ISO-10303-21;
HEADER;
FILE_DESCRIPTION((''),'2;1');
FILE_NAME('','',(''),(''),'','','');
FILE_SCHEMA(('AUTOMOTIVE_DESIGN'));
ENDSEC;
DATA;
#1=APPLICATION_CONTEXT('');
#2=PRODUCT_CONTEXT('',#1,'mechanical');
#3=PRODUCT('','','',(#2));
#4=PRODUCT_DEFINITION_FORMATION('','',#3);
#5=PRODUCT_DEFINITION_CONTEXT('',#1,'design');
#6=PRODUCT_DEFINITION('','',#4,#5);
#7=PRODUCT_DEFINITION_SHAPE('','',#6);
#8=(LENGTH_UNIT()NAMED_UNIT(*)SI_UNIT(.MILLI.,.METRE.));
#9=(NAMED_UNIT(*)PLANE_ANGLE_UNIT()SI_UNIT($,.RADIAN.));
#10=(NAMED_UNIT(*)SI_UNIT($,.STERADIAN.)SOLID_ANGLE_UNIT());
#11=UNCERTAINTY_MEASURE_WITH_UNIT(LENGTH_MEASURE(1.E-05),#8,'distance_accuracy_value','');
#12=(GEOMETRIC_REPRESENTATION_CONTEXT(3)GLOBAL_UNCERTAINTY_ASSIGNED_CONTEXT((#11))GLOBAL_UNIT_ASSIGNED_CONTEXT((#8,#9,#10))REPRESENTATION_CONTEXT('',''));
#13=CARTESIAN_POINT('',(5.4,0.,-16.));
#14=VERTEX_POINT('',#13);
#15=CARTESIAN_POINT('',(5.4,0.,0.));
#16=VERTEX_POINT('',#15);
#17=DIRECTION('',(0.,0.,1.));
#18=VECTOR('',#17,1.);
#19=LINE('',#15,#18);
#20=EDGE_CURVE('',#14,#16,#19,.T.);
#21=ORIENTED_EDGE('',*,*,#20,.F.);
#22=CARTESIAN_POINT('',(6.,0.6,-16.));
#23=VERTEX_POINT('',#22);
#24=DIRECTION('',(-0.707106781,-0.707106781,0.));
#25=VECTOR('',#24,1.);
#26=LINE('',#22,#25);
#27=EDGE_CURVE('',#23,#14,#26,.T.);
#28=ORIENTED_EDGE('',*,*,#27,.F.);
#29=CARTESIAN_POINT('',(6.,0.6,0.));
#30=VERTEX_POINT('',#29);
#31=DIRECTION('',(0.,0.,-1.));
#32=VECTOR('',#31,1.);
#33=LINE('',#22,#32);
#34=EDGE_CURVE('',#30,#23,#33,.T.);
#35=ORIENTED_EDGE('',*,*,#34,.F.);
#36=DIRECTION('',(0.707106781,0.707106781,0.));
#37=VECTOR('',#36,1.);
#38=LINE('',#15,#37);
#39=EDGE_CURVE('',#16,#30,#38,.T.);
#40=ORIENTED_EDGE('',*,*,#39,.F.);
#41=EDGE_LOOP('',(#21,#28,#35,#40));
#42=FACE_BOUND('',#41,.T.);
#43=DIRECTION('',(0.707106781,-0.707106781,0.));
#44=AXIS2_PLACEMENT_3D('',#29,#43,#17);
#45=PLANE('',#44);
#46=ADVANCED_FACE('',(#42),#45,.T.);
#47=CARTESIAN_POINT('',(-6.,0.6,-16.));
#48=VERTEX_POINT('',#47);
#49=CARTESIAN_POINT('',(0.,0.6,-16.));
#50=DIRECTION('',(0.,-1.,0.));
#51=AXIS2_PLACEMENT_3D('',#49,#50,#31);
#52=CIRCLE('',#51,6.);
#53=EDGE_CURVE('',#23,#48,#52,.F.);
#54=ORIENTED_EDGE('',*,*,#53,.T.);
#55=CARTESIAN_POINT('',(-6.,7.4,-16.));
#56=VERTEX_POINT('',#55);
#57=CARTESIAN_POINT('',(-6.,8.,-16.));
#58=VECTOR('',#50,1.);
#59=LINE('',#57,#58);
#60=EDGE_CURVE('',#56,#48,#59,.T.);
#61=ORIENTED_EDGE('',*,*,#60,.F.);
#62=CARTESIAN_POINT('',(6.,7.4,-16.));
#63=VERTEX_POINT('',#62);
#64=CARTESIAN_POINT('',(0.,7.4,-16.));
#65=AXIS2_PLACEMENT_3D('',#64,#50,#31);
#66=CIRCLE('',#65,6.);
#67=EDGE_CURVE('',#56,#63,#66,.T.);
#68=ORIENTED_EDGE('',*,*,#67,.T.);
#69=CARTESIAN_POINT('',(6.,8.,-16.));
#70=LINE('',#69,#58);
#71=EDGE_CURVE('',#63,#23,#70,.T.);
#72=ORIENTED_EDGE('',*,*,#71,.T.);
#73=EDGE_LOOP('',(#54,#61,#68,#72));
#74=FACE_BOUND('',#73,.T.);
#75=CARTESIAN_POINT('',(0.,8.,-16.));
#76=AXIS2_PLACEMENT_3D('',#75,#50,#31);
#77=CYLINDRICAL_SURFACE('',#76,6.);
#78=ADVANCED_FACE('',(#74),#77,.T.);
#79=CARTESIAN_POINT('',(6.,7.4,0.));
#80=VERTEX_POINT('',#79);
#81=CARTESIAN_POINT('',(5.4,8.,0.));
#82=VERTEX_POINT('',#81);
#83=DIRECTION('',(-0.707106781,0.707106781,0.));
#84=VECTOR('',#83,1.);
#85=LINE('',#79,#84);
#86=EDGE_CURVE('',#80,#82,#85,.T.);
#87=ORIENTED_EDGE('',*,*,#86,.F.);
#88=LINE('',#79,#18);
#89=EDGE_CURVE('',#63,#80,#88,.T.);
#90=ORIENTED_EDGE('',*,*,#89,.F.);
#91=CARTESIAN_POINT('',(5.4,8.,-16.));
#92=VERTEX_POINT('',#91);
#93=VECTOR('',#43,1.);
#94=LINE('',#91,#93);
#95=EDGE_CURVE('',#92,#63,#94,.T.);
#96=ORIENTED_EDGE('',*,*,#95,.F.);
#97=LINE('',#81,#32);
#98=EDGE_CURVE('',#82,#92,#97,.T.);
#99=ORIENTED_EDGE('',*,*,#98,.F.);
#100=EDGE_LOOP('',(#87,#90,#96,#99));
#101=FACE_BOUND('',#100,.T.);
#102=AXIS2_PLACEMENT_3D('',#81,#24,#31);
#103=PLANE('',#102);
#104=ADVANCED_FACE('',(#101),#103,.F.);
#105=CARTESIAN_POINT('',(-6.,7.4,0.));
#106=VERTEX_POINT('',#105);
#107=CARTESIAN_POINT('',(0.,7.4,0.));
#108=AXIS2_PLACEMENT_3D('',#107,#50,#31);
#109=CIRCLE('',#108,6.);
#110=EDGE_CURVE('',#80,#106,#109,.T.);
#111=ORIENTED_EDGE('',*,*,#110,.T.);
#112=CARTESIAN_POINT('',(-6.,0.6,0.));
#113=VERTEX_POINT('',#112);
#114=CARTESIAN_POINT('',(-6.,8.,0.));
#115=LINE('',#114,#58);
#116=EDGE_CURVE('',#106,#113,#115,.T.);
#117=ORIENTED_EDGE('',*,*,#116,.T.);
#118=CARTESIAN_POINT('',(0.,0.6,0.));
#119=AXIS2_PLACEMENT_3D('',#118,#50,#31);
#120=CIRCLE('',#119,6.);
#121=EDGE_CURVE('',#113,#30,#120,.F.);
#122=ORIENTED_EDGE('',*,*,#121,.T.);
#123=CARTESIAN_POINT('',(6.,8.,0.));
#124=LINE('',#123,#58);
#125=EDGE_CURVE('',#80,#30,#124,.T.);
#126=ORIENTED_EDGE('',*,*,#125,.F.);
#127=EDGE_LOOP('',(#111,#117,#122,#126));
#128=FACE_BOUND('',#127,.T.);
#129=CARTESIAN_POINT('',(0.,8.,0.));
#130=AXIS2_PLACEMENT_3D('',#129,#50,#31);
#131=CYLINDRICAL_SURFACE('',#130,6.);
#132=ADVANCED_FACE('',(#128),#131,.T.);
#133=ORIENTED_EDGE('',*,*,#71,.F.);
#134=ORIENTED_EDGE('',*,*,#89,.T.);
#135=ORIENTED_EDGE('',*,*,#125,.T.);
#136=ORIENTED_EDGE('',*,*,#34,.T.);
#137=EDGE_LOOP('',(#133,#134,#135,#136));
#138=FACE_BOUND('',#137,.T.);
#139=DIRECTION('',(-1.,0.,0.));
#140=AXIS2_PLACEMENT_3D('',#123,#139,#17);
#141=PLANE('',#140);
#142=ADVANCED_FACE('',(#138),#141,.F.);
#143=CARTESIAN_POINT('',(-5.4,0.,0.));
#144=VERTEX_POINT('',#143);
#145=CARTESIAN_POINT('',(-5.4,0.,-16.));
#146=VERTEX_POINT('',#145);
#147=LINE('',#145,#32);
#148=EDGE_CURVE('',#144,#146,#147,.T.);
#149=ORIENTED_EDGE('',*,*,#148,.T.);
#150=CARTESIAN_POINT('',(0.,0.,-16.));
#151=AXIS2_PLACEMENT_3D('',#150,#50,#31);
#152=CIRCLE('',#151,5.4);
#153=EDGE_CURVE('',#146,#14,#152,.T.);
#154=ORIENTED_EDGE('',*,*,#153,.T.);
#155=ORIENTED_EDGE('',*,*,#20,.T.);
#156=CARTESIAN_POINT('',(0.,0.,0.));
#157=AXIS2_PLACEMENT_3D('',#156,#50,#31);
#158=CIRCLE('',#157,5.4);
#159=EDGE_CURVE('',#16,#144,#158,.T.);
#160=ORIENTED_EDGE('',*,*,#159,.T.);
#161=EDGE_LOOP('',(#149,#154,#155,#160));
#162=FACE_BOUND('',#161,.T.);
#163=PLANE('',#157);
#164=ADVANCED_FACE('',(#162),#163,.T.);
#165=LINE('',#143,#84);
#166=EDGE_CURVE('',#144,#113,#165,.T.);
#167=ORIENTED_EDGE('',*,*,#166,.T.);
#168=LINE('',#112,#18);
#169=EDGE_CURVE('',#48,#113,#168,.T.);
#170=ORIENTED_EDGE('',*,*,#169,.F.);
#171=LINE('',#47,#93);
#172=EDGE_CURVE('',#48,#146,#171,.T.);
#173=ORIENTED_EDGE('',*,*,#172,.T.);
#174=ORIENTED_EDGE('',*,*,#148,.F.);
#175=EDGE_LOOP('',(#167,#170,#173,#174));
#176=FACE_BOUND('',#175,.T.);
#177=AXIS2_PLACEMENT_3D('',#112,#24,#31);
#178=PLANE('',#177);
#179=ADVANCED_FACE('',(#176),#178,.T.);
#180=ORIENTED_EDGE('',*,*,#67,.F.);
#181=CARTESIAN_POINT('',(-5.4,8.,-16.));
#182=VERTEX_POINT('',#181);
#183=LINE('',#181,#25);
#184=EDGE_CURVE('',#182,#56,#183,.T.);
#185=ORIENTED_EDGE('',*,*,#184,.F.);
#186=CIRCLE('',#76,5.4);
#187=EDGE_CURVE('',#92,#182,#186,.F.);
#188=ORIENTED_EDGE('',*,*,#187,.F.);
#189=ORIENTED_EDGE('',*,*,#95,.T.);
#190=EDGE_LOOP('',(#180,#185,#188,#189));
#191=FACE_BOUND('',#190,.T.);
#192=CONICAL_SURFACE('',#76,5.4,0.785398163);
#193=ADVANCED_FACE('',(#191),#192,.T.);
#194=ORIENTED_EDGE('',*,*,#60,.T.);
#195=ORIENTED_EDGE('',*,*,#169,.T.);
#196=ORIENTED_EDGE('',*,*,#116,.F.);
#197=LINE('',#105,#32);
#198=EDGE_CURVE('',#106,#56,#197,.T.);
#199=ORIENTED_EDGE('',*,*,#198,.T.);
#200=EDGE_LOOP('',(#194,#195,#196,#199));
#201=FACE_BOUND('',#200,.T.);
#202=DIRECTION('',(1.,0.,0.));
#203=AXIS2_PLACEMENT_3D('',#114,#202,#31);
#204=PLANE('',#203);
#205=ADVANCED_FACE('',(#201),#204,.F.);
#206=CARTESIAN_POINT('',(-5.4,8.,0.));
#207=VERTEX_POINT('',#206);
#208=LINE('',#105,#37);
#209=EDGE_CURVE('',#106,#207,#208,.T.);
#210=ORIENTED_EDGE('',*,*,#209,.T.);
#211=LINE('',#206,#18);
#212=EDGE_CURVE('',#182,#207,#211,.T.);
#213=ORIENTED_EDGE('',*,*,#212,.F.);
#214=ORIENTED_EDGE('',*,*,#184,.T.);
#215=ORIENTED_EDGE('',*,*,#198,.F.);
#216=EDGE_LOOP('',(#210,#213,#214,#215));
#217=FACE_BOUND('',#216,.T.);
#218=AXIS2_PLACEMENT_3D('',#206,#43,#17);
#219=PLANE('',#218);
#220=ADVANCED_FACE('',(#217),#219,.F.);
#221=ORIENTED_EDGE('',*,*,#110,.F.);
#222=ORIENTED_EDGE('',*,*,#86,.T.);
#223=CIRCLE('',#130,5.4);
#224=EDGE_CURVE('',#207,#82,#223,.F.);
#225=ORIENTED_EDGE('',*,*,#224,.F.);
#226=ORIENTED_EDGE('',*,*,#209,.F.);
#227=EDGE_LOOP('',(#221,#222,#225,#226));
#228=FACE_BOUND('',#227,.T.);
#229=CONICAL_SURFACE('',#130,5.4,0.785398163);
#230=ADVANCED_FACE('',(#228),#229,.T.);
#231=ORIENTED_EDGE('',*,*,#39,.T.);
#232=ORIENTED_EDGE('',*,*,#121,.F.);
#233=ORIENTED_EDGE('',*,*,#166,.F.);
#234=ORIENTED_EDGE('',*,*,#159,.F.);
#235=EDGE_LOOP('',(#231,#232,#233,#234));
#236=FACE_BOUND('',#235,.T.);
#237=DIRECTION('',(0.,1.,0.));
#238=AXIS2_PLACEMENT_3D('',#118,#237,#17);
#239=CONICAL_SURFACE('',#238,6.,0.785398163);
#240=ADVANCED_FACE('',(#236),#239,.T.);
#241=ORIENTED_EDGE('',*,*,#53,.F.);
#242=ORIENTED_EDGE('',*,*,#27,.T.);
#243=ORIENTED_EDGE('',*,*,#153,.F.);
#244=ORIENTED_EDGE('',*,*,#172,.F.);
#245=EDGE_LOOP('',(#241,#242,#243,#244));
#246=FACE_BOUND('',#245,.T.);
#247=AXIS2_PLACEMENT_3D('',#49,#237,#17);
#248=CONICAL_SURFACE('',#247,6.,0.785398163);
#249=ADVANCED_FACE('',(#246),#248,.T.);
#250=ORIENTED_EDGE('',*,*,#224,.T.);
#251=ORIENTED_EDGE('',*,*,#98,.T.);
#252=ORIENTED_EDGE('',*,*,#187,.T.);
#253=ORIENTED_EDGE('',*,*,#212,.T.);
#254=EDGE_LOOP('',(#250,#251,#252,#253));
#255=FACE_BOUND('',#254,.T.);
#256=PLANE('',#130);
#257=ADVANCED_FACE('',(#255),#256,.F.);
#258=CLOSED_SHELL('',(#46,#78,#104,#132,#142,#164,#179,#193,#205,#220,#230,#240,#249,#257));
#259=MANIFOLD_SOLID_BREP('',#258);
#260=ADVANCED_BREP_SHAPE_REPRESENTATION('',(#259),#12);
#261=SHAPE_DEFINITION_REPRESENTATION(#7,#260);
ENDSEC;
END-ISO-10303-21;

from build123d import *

# Parameters (mm, degrees)
BOSS_EXTRUDE1_DEPTH = 8
CHAMFER1_SIZE       = 0.6


with BuildPart() as part:
    # Sketch1 → Boss-Extrude1 (new body)
    with BuildSketch(Plane(origin=(0, 0, 0), x_dir=(1, 0, 0), z_dir=(0, 1, 0))):
        with BuildLine():
            Line((6, 0), (6, 16))
            ThreePointArc((6, 16), (0, 22), (-6, 16))
            Line((-6, 16), (-6, 0))
            ThreePointArc((-6, 0), (0, -6), (6, 0))
        make_face()
    extrude(amount=BOSS_EXTRUDE1_DEPTH)

    # Chamfer1
    chamfer1_edges = [part.edges().sort_by_distance(p)[0] for p in [
        (0, 8, -22),
        (-6, 8, -8),
        (0, 8, 6),
        (-6, 0, -8),
        (0, 0, -22),
        (6, 0, -8),
        (0, 0, 6),
        (6, 8, -8),
    ]]
    chamfer(chamfer1_edges, length=CHAMFER1_SIZE)


solid = part.part
